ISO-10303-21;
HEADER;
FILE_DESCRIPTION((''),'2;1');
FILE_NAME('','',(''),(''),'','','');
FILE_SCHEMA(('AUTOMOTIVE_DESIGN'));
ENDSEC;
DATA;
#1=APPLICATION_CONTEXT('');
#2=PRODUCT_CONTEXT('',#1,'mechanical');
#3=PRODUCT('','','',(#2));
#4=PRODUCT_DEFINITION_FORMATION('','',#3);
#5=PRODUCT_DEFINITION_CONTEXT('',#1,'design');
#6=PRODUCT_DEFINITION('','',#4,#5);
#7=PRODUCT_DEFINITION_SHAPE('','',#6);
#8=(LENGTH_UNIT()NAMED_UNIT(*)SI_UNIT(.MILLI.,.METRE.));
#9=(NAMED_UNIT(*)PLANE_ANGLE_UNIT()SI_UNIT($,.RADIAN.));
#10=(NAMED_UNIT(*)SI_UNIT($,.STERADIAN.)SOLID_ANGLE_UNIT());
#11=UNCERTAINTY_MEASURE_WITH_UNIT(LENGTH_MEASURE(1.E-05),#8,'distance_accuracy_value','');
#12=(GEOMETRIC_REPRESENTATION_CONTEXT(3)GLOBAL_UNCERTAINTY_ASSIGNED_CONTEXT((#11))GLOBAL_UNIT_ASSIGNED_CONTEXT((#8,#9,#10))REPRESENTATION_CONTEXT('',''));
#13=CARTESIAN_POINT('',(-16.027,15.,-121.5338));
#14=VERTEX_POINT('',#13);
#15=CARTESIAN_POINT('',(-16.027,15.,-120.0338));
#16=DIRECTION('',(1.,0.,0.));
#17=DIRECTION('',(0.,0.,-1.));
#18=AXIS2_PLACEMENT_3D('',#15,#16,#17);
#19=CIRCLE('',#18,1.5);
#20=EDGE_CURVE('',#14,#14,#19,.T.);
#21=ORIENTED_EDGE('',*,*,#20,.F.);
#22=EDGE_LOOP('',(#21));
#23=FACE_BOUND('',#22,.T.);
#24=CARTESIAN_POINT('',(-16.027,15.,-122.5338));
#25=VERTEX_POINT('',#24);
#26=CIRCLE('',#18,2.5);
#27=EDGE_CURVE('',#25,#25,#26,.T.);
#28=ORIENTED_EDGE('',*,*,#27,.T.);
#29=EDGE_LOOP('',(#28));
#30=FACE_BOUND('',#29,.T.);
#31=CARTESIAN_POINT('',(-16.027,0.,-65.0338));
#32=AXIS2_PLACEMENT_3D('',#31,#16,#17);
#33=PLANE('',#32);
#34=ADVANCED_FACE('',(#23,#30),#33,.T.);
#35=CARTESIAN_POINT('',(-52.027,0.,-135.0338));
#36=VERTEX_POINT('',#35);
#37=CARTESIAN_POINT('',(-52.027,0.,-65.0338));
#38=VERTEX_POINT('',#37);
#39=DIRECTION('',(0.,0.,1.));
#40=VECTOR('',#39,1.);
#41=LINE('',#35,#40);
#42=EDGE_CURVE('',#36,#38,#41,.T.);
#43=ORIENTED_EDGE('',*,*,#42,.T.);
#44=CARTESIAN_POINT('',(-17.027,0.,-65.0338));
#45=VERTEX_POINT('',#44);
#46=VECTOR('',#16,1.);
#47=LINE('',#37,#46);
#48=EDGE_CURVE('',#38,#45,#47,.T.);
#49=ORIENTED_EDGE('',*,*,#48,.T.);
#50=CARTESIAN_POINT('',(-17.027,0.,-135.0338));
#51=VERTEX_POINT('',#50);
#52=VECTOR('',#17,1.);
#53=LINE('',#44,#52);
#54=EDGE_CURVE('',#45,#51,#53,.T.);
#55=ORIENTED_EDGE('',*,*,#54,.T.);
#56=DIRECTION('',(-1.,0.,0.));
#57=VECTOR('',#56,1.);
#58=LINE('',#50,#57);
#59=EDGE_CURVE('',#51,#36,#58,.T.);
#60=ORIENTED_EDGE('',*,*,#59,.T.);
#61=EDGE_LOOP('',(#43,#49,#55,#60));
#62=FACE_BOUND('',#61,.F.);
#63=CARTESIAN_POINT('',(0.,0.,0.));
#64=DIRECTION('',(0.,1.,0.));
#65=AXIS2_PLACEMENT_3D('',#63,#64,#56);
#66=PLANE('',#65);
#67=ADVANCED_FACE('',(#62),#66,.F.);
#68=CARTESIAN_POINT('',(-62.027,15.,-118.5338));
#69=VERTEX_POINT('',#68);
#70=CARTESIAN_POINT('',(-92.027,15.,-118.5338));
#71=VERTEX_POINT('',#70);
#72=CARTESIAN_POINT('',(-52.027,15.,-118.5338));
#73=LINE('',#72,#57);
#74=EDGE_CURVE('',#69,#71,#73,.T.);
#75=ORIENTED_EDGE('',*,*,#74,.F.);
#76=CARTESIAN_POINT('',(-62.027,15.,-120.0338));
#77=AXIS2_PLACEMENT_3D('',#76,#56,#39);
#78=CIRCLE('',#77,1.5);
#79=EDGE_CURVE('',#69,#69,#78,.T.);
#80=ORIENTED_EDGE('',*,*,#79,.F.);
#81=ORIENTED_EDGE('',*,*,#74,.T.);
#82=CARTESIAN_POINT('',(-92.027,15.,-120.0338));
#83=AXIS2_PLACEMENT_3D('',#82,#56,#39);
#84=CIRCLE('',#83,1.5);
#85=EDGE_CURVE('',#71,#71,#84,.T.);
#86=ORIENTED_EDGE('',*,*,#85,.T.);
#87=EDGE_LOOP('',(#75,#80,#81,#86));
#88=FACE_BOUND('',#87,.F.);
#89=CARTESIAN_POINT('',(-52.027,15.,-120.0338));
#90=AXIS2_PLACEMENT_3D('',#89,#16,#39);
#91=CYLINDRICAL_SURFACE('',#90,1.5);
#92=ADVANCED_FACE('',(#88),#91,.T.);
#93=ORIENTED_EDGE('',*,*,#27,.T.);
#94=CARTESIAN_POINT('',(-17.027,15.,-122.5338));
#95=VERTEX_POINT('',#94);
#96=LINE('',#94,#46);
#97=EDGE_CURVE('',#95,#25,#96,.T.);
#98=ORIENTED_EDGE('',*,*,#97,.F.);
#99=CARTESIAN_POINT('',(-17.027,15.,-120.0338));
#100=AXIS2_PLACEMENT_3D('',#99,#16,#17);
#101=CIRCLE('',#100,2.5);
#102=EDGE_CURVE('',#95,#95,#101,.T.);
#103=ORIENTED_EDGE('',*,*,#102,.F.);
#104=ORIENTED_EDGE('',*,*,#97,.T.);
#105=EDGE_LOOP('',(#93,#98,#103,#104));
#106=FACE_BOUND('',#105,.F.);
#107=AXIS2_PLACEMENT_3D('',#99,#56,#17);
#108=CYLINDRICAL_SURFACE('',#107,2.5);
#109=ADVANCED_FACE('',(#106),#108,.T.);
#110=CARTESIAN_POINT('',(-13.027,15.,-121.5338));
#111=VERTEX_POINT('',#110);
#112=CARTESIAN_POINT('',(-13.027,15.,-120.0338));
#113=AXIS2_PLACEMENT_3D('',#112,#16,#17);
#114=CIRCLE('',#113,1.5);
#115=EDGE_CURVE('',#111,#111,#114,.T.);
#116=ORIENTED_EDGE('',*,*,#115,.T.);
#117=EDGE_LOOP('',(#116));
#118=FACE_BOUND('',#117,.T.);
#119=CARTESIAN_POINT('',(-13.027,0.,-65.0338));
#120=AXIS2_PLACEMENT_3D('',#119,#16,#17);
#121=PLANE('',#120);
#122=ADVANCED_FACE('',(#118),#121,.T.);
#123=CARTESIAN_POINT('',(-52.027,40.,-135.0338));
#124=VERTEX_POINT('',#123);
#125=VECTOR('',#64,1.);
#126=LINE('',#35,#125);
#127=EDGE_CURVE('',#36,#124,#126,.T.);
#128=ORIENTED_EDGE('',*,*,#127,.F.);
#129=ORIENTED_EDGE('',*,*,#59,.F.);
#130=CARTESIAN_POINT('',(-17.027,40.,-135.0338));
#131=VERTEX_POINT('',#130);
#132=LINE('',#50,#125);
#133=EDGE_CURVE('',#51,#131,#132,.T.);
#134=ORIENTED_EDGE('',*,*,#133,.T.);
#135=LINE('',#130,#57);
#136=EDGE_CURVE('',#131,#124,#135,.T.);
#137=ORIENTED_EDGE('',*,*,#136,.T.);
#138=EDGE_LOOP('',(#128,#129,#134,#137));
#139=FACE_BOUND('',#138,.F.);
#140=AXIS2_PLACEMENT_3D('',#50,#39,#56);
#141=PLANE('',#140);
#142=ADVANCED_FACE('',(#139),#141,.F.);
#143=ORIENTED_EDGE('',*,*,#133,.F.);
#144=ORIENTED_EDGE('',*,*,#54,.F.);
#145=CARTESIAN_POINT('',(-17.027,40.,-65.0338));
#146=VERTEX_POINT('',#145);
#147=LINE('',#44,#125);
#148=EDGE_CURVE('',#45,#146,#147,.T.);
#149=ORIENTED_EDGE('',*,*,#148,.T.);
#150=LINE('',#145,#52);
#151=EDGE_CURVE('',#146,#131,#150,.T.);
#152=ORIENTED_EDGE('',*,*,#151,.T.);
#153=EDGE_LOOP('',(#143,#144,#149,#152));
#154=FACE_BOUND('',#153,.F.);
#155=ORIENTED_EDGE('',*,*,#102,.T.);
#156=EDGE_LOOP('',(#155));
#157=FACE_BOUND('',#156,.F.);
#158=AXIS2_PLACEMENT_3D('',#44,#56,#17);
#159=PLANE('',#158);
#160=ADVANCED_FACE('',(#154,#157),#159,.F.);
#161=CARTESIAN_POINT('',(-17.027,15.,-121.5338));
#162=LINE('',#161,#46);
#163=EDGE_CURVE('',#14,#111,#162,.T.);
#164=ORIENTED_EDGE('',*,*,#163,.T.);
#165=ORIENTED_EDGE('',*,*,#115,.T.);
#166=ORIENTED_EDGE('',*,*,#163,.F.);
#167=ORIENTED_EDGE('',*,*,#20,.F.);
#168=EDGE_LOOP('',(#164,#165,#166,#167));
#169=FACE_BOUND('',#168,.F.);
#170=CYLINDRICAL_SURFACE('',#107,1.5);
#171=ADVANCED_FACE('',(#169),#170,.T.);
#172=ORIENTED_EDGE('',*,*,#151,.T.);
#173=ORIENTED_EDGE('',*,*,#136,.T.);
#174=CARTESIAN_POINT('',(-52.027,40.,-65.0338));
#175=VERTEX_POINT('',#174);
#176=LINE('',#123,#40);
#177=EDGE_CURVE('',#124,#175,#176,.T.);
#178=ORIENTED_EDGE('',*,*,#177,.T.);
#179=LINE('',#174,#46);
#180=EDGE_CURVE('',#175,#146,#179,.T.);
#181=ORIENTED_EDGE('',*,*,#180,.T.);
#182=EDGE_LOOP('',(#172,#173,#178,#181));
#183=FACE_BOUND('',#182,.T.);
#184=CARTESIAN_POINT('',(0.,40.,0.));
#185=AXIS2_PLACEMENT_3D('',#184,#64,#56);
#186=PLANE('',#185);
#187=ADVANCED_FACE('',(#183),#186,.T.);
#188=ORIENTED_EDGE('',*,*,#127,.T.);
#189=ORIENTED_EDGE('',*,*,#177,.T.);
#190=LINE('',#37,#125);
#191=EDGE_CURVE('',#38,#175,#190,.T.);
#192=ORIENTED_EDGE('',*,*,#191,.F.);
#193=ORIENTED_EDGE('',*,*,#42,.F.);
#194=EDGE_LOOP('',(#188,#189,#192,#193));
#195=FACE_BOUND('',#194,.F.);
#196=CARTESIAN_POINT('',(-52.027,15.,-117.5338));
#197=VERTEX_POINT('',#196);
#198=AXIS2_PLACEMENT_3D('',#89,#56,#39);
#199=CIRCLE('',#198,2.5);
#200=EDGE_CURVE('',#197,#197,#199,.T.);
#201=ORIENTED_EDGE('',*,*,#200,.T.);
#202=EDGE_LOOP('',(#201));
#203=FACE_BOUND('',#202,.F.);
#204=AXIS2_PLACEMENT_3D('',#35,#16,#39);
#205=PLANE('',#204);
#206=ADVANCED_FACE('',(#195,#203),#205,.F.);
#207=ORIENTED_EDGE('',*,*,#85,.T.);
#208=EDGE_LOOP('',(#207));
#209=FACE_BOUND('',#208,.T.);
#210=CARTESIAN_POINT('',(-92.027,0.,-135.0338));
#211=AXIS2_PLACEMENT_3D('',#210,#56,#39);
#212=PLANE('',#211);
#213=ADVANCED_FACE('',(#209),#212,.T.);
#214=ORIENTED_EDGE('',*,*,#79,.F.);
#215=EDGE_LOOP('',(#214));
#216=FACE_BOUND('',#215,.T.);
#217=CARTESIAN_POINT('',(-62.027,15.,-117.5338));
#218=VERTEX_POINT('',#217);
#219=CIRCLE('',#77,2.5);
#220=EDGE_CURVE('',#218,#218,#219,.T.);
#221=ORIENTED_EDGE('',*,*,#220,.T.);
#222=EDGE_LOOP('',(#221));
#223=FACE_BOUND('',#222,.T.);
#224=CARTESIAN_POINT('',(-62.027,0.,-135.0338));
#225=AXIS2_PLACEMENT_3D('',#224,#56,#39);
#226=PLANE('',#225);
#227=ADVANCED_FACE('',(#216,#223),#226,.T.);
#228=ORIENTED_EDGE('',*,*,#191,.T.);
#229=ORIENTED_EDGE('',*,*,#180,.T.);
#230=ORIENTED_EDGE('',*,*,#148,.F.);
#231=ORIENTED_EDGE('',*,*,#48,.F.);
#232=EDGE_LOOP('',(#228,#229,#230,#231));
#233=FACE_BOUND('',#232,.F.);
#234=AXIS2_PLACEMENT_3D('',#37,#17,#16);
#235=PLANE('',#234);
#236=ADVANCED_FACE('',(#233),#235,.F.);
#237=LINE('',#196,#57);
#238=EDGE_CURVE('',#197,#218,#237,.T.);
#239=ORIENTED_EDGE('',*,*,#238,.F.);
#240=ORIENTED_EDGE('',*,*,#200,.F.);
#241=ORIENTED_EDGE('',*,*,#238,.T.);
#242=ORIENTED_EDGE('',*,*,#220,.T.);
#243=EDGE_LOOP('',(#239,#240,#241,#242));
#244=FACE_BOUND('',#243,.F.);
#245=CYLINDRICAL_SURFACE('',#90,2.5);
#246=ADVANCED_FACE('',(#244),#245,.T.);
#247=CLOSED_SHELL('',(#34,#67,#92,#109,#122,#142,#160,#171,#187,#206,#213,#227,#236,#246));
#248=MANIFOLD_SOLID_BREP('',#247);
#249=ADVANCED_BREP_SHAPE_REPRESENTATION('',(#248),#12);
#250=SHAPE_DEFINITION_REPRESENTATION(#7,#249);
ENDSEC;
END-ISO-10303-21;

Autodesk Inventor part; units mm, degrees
ref_plane "YZ Plane" through (0, 0, 0) normal (1, 0, 0) x (0, 1, 0)
ref_plane "XZ Plane" through (0, 0, 0) normal (0, 1, 0) x (-1, 0, 0)
ref_plane "XY Plane" through (0, 0, 0) normal (0, 0, 1) x (1, 0, 0)
sketch "Skizze1" plane through (0, 0, 0) normal (0, 1, 0) x (-1, 0, 0)
  line L0 (52.027, -65.0338) -> (17.027, -65.0338)
  line L1 (17.027, -65.0338) -> (17.027, -135.0338)
  line L2 (17.027, -135.0338) -> (52.027, -135.0338)
  line L3 (52.027, -135.0338) -> (52.027, -65.0338)
  point P0 (0, 0)
  dimension "d0" = 70
  dimension "d1" = 35
extrude "Extrusion1" add sketch "Skizze1" along normal blind 40
sketch "Skizze2" plane through (-17.027, 0, -65.0338) normal (1, 0, 0) x (0, 0, -1)
  circle A0 centre (55, 15) radius 1.5
  circle A1 centre (55, 15) radius 2.5
  line L0 (0, 0) -> (70, 0) projected
  line L1 (70, 0) -> (70, 40) projected
  point P0 (-65.0338, 0)
  dimension "d4" = 3
  dimension "d5" = 5
  dimension "d6" = 15
  dimension "d7" = 15
extrude "Extrusion2" add sketch "Skizze2" along normal blind 4 contours A0
extrude "Extrusion3" add sketch "Skizze2" along normal blind 1
sketch "Skizze3" plane through (-52.027, 0, -135.0338) normal (-1, 0, 0) x (0, 0, 1)
  circle A0 centre (15, 15) radius 1.5
  circle A1 centre (15, 15) radius 2.5
  line L0 (0, 0) -> (0, 40) projected
  line L1 (0, 0) -> (70, 0) projected
  point P0 (-65.0338, 0)
  dimension "d12" = 3
  dimension "d13" = 5
  dimension "d16" = 15
  dimension "d17" = 15
extrude "Extrusion4" add sketch "Skizze3" along normal blind 40 contours A0
extrude "Extrusion5" add sketch "Skizze3" along normal blind 10
properties part number "Motor_links"
